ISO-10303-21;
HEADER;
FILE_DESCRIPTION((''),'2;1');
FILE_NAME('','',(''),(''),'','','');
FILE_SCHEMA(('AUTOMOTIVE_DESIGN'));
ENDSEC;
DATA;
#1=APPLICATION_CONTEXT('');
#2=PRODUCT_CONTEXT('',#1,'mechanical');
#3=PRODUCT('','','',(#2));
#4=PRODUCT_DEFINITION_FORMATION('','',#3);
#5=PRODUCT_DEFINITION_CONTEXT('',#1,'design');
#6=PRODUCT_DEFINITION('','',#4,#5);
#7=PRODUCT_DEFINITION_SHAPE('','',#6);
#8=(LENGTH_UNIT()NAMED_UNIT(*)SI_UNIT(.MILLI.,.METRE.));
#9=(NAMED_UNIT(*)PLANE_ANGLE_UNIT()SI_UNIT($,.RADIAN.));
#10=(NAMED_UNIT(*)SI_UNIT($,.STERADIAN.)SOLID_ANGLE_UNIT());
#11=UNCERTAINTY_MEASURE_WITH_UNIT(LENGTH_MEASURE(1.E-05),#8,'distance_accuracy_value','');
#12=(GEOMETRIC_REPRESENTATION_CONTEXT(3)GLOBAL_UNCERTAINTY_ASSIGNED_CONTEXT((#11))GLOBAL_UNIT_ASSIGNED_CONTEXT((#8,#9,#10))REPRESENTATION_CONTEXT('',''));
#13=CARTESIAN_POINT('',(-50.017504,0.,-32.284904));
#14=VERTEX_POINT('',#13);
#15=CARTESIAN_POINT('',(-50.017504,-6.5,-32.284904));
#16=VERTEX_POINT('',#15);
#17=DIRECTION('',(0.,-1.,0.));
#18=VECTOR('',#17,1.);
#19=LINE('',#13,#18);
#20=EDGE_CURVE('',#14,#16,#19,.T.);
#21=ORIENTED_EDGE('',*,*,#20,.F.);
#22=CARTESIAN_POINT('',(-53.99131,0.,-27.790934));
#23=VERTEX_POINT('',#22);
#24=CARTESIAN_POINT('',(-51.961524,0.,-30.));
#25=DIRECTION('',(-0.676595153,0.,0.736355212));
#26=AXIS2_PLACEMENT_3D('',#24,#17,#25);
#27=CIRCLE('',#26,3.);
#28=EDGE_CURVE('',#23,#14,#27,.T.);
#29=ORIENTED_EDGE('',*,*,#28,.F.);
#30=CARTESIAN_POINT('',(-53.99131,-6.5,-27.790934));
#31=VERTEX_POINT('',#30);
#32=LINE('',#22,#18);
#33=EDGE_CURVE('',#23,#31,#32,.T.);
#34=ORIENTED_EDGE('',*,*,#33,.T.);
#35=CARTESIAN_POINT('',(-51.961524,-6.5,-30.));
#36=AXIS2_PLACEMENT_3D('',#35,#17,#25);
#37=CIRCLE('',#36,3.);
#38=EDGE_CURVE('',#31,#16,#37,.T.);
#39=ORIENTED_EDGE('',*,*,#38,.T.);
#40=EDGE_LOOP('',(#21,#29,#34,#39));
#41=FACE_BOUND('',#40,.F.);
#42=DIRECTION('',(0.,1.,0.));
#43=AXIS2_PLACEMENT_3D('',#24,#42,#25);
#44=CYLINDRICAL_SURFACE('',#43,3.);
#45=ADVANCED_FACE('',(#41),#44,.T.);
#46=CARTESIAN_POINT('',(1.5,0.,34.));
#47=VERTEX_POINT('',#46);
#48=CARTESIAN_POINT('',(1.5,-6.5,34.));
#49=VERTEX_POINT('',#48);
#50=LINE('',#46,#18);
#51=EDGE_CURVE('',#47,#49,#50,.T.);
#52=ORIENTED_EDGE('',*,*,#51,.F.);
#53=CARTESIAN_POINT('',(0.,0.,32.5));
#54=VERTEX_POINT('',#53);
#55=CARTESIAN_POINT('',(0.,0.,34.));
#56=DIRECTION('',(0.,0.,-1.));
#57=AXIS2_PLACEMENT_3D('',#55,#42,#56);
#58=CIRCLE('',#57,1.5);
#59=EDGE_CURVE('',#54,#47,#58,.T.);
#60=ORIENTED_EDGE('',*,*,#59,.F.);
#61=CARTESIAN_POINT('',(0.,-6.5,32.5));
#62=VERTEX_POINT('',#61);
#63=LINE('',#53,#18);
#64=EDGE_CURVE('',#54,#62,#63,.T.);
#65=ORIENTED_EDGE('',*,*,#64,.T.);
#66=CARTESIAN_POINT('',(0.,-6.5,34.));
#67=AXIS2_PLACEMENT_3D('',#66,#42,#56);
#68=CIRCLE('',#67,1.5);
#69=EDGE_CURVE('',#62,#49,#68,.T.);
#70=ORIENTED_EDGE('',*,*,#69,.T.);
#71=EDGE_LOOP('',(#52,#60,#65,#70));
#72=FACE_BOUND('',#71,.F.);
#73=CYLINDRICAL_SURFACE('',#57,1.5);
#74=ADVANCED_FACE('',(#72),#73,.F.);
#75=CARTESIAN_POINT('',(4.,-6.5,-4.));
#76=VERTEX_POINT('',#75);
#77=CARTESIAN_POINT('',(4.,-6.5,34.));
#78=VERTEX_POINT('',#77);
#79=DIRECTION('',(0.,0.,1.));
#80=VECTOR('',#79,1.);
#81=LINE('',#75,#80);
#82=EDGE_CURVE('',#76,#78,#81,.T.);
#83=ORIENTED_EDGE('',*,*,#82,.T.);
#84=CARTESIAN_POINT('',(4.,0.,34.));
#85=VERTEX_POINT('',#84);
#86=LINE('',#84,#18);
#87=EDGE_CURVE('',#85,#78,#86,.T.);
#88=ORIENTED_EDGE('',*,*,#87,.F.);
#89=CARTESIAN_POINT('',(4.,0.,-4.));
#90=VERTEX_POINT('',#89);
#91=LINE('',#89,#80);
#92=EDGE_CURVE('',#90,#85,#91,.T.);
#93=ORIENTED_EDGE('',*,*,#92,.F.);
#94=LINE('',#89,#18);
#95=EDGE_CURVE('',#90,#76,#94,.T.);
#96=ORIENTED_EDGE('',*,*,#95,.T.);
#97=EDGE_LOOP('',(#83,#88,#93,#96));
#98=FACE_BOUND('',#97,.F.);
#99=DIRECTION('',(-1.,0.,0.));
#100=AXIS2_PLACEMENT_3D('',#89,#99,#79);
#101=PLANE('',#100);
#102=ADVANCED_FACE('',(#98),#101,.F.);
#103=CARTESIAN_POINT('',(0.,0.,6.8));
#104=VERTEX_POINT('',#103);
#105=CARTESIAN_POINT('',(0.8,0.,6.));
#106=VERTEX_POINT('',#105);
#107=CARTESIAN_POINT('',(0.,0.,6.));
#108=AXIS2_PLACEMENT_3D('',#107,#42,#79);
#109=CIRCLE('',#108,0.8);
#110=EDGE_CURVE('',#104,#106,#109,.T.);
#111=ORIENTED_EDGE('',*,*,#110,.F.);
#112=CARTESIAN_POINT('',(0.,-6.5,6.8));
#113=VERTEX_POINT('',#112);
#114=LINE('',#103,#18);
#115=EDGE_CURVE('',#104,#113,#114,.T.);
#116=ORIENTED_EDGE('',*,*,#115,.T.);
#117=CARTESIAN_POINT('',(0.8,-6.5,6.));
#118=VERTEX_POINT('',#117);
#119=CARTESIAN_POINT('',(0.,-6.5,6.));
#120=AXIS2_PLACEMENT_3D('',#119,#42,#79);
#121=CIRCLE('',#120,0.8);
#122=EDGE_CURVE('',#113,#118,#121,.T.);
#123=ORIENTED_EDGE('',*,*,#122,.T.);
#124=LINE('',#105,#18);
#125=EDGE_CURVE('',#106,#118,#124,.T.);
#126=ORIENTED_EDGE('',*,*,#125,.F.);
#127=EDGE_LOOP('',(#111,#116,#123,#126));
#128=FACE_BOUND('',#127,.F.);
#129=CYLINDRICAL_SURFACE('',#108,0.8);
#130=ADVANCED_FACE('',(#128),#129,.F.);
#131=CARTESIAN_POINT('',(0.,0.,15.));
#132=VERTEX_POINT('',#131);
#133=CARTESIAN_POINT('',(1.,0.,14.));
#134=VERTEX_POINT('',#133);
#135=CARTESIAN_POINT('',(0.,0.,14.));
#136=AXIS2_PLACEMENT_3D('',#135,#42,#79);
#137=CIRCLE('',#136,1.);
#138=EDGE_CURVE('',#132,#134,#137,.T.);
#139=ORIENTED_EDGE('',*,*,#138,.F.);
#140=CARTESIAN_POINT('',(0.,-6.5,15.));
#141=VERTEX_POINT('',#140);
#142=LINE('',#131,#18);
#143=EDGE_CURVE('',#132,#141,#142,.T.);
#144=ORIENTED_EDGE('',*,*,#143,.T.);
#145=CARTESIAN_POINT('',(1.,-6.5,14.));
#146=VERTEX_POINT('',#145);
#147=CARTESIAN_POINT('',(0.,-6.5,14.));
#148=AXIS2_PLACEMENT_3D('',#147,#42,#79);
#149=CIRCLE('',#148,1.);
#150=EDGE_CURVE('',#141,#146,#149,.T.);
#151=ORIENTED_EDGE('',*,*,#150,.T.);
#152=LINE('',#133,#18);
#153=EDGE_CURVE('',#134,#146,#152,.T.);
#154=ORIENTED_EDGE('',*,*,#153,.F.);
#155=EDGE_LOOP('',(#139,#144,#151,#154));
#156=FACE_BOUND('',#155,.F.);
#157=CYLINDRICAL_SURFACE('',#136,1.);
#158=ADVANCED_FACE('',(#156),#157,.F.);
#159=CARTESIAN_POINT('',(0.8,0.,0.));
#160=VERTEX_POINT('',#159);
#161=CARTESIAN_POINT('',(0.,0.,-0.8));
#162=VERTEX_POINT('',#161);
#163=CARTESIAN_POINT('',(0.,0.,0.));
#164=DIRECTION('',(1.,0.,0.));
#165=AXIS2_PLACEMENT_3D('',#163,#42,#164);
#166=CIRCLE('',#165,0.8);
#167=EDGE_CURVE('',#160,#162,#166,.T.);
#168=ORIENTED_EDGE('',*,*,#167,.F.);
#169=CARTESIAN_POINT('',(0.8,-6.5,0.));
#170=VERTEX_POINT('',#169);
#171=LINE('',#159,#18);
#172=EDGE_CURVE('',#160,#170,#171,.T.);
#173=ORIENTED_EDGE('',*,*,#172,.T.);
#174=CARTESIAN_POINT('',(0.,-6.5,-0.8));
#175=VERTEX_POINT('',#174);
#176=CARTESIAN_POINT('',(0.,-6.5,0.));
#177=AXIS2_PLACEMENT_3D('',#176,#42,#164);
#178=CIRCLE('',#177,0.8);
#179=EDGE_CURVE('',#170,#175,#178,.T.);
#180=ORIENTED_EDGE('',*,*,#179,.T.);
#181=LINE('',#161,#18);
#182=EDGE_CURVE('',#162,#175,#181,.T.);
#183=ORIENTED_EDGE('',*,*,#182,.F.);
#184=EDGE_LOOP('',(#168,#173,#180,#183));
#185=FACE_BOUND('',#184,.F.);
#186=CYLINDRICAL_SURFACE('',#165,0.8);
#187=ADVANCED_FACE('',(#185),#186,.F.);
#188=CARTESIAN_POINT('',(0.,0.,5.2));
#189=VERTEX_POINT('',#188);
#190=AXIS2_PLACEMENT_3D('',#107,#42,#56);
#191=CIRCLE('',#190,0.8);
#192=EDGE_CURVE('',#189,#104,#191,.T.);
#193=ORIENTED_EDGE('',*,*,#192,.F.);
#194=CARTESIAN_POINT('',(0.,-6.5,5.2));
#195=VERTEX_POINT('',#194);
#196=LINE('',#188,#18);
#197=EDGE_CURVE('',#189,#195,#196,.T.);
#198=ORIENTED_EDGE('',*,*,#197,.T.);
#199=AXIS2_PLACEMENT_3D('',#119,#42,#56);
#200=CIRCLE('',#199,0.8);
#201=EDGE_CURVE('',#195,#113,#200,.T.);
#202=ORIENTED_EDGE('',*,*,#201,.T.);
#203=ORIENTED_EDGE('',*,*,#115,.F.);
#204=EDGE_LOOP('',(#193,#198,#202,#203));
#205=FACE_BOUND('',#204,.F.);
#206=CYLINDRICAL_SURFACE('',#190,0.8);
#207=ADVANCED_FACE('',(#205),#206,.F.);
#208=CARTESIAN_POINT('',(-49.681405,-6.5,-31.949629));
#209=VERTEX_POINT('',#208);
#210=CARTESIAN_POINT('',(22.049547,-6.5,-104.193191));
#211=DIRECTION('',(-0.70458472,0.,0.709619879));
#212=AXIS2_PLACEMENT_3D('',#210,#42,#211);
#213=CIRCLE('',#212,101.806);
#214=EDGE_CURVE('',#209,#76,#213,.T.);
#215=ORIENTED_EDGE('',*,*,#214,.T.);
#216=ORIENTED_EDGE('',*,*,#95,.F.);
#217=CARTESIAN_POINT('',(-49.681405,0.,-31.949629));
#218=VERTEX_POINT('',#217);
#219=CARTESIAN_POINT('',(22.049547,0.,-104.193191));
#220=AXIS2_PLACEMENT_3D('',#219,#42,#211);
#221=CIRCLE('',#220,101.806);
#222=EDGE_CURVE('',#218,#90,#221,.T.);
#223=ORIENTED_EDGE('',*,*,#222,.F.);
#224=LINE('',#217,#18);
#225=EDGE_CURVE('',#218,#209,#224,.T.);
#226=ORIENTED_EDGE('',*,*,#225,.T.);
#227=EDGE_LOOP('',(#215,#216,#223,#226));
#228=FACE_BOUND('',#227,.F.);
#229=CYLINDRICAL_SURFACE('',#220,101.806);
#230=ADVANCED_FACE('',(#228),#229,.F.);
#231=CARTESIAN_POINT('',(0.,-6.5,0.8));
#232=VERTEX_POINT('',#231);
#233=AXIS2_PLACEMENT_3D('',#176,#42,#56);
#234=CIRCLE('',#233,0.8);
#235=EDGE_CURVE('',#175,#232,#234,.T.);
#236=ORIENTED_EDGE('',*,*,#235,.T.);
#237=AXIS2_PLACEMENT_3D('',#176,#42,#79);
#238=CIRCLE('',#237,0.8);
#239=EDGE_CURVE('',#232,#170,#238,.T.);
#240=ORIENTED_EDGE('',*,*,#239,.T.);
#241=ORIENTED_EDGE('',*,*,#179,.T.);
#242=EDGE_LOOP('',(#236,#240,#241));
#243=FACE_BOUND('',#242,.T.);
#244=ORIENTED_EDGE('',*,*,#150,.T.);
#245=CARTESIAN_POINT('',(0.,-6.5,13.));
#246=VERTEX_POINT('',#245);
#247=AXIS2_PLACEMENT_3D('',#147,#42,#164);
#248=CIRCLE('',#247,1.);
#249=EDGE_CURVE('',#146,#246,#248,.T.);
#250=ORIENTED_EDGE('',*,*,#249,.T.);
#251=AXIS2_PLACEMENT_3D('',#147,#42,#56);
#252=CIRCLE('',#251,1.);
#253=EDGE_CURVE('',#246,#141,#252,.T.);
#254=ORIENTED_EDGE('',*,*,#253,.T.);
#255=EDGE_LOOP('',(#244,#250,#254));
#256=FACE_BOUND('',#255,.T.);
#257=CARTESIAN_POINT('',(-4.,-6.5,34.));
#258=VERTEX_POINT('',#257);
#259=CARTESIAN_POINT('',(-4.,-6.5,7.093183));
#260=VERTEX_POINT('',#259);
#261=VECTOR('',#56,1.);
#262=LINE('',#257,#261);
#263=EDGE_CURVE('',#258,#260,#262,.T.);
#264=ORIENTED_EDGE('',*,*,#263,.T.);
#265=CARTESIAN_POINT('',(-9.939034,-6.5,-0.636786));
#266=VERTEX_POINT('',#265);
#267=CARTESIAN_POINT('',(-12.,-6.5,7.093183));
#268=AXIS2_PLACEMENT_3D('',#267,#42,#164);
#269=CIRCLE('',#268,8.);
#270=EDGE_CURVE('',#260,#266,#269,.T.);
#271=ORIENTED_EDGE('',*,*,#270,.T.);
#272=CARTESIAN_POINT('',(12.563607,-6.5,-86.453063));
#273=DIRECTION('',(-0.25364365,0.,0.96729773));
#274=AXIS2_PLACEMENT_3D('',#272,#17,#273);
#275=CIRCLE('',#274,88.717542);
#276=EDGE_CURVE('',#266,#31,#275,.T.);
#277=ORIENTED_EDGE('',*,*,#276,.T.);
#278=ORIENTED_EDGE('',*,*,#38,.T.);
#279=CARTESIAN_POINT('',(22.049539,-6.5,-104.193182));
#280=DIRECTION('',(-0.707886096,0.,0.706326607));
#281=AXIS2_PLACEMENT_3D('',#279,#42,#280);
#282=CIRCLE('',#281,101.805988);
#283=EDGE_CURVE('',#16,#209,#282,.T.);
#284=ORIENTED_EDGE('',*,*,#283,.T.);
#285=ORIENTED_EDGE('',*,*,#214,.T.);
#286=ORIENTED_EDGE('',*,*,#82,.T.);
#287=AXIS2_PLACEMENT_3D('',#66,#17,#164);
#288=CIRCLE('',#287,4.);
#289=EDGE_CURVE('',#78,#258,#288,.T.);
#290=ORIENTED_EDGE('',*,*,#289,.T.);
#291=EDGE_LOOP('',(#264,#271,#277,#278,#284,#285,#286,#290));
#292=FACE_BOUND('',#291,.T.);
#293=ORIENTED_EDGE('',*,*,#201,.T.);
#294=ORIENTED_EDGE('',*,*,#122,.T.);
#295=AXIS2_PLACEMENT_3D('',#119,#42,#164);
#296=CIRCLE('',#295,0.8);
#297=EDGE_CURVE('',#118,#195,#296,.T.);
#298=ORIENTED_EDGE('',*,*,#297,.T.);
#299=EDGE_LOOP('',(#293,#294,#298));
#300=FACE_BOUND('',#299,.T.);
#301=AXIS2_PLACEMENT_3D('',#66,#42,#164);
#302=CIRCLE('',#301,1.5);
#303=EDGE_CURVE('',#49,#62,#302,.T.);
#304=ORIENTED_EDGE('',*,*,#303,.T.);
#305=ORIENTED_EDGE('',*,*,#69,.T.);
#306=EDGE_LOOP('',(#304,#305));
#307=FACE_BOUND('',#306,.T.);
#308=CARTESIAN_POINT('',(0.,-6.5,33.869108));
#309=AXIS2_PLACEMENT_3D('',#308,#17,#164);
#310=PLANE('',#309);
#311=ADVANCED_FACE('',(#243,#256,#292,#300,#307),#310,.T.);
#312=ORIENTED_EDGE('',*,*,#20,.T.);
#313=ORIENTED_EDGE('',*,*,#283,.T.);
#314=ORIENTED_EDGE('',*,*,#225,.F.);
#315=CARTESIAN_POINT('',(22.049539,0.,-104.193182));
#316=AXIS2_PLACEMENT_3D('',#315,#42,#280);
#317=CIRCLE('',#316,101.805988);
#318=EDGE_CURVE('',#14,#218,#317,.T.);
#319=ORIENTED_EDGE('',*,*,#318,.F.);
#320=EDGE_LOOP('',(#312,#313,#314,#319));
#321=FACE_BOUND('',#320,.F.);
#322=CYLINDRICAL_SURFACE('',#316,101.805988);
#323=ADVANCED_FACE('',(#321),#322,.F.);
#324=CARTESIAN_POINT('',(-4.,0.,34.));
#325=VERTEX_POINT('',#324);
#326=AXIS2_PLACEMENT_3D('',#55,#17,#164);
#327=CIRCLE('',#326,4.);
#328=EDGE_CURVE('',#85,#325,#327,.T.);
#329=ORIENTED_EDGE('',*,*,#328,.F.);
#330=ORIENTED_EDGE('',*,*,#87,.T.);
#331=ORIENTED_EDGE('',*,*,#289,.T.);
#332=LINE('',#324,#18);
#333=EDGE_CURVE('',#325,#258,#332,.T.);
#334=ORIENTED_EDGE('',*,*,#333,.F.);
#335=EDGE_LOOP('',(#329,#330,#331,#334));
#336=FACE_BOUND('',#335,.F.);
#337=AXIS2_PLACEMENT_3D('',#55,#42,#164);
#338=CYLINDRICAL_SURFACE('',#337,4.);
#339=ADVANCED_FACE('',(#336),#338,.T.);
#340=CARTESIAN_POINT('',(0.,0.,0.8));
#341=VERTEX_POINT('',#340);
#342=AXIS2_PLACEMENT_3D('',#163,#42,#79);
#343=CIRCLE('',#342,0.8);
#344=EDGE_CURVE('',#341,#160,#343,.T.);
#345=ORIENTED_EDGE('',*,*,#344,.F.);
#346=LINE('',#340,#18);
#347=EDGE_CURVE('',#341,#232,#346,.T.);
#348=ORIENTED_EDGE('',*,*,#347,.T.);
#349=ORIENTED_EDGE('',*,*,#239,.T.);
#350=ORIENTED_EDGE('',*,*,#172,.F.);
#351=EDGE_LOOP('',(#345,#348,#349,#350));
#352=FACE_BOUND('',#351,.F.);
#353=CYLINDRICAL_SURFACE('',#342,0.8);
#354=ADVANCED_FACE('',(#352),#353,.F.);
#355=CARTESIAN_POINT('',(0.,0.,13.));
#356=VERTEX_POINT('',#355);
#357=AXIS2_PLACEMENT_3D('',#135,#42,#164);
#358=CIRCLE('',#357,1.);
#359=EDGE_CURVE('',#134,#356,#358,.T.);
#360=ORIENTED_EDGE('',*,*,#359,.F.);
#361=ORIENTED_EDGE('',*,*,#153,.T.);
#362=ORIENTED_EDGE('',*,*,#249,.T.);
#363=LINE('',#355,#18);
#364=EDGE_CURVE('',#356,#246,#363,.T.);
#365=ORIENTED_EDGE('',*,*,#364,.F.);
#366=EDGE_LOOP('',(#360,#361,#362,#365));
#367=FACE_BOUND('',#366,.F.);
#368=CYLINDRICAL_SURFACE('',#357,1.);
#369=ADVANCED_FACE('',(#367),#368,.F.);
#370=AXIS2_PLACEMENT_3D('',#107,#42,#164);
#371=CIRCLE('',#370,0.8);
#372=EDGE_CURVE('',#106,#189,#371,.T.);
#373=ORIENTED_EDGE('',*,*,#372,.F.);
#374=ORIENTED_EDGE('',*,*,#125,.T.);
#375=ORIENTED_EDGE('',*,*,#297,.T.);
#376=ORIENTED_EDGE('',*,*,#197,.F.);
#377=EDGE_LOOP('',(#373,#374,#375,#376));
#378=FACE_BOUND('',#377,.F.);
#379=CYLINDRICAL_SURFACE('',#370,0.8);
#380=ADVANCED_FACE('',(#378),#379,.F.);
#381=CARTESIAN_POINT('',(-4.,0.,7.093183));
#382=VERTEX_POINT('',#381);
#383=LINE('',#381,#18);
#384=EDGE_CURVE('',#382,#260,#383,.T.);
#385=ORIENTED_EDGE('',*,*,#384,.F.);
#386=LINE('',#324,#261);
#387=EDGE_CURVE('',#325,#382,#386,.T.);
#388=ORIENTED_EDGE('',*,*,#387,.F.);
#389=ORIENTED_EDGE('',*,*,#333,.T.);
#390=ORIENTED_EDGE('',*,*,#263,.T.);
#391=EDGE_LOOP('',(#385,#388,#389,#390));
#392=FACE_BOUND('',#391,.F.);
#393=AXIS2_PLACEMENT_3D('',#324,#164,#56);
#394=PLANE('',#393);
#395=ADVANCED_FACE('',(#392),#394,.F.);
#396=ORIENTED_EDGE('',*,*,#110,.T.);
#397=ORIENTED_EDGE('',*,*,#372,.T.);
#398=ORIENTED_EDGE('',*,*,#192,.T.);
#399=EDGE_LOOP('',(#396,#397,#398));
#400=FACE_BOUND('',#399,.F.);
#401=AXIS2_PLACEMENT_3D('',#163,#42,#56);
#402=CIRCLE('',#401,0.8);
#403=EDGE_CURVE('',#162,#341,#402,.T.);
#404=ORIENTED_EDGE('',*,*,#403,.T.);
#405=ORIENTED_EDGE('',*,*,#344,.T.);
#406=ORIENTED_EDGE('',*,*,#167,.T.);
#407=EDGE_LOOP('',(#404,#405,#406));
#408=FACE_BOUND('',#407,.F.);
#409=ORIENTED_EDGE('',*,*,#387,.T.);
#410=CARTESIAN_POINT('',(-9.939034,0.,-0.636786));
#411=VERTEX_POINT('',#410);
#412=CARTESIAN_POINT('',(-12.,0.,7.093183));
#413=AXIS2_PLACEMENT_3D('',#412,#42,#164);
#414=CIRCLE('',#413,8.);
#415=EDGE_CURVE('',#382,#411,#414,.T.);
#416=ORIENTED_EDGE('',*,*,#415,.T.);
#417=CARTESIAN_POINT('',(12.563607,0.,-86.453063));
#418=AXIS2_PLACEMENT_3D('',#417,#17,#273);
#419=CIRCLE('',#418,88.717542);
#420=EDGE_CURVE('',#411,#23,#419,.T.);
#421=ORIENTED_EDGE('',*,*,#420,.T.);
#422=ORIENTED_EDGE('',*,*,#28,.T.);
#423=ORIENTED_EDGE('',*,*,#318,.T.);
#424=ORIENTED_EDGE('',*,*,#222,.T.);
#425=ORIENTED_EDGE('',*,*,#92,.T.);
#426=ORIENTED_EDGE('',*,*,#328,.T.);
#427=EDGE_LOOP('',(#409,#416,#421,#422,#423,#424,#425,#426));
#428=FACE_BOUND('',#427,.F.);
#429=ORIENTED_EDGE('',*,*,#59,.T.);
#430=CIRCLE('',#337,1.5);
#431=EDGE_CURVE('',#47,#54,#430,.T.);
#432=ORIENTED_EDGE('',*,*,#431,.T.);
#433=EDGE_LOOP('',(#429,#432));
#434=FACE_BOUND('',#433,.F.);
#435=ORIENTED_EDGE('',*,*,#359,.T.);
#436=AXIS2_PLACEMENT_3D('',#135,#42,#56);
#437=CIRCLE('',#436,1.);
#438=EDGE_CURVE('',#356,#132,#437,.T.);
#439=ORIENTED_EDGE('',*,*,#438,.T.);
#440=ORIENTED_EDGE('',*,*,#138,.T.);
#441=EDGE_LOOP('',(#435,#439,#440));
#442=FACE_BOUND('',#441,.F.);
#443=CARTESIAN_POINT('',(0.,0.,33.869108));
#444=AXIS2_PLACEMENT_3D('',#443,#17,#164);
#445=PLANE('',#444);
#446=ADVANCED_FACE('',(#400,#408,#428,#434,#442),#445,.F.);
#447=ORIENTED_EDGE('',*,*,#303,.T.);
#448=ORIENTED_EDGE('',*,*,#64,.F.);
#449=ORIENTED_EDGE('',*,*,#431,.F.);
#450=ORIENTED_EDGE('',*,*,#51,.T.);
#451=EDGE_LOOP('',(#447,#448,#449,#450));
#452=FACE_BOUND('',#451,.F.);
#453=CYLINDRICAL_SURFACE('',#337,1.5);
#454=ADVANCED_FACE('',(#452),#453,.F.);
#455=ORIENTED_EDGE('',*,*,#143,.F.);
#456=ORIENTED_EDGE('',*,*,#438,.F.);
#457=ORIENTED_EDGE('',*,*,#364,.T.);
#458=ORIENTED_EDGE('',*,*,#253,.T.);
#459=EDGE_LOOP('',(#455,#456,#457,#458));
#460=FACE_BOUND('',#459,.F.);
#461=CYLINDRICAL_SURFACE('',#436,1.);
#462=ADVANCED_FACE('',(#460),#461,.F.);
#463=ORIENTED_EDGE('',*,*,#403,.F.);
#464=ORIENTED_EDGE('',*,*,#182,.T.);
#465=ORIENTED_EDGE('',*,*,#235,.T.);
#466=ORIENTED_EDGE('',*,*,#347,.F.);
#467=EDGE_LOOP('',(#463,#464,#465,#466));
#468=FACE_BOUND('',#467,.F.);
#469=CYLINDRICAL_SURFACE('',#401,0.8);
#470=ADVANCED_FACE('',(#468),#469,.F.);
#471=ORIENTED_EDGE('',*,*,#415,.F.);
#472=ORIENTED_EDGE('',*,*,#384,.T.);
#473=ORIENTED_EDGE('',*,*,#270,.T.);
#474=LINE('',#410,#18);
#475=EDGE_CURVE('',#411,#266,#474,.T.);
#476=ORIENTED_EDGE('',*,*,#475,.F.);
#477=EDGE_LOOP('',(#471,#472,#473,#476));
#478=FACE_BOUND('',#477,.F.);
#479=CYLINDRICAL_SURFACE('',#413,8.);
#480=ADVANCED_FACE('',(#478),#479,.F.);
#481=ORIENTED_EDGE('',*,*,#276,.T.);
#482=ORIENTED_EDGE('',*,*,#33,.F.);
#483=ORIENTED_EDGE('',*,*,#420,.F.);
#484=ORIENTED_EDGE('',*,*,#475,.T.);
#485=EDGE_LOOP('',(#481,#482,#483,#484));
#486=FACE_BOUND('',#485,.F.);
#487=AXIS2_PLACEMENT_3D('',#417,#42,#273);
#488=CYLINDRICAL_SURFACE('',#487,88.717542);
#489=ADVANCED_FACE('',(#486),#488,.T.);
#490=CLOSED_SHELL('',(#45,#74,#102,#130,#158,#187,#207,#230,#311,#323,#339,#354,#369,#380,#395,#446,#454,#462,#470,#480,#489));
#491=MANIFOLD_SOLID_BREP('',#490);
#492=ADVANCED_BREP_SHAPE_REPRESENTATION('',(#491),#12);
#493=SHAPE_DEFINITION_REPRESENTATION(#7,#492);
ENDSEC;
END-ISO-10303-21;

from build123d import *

# Parameters (mm, degrees)
F1_DEPTH = 6.5


with BuildPart() as f1:
    # F0 (on Front) → F1 (new body)
    with BuildSketch(Plane.XZ):
        with BuildLine():
            ThreePointArc((0, 30), (2.8284271247, 31.1715728753), (4, 34))
            ThreePointArc((4, 34), (0, 38), (-4, 34))
            ThreePointArc((-4, 34), (-2.8284271247, 31.1715728753), (0, 30))
        make_face()
        with BuildLine():
            ThreePointArc((1.5, 34), (1.0606601718, 32.9393398282), (0, 32.5))
            ThreePointArc((0, 32.5), (-1.0606601718, 35.0606601718), (1.5, 34))
        make_face(mode=Mode.SUBTRACT)
        with BuildLine():
            Line((4, 0), (4, 34))
            ThreePointArc((4, 34), (2.8284271247, 31.1715728753), (0, 30))
            Line((0, 30), (0, 15))
            ThreePointArc((0, 15), (0.7071067812, 14.7071067812), (1, 14))
            ThreePointArc((1, 14), (0.7071067812, 13.2928932188), (0, 13))
            Line((0, 13), (0, 6.8))
            ThreePointArc((0, 6.8), (0.5656854249, 6.5656854249), (0.8, 6))
            ThreePointArc((0.8, 6), (0.5656854249, 5.4343145751), (0, 5.2))
            Line((0, 5.2), (0, 4))
            ThreePointArc((0, 4), (2.8284271247, 2.8284271247), (4, 0))
        make_face()
        with BuildLine():
            ThreePointArc((0, 30), (-2.8284271247, 31.1715728753), (-4, 34))
            Line((-4, 34), (-4, 7.093183207))
            ThreePointArc((-4, 7.093183207), (-5.6561948009, 2.2191565764), (-9.939033899, -0.6367856629))
            ThreePointArc((-9.939033899, -0.6367856629), (-33.9890415525, -10.9305286234), (-53.9913096874, -27.7909343638))
            ThreePointArc((-53.9913096874, -27.7909343638), (-50.7551570319, -27.2532422403), (-48.9615242271, -30))
            ThreePointArc((-48.9615242271, -30), (-49.147242911, -31.0391442027), (-49.6814046764, -31.9496294096))
            ThreePointArc((-49.6814046764, -31.9496294096), (-24.9656625625, -13.8935137311), (4, -4))
            Line((4, -4), (0, -4))
            ThreePointArc((0, -4), (-4, 0), (0, 4))
            Line((0, 4), (0, 5.2))
            ThreePointArc((0, 5.2), (-0.8, 6), (0, 6.8))
            Line((0, 6.8), (0, 13))
            ThreePointArc((0, 13), (-1, 14), (0, 15))
            Line((0, 15), (0, 30))
        make_face()
        with BuildLine():
            ThreePointArc((0, -4), (2.8284271247, -2.8284271247), (4, 0))
            Line((4, 0), (0.8, 0))
            ThreePointArc((0.8, 0), (0.5656854249, -0.5656854249), (0, -0.8))
            Line((0, -0.8), (0, -4))
        make_face()
        with BuildLine():
            Line((4, -4), (4, 0))
            ThreePointArc((4, 0), (2.8284271247, -2.8284271247), (0, -4))
            Line((0, -4), (4, -4))
        make_face()
        with BuildLine():
            ThreePointArc((0, 4), (-4, 0), (0, -4))
            Line((0, -4), (0, -0.8))
            ThreePointArc((0, -0.8), (-0.8, 0), (0, 0.8))
            Line((0, 0.8), (0, 4))
        make_face()
        with BuildLine():
            Line((0.8, 0), (4, 0))
            ThreePointArc((4, 0), (2.8284271247, 2.8284271247), (0, 4))
            Line((0, 4), (0, 0.8))
            ThreePointArc((0, 0.8), (0.5656854249, 0.5656854249), (0.8, 0))
        make_face()
        with BuildLine():
            ThreePointArc((-50.0175044973, -32.2849042191), (-49.8496500156, -32.1170709047), (-49.6814046764, -31.9496294096))
            ThreePointArc((-49.6814046764, -31.9496294096), (-49.147242911, -31.0391442027), (-48.9615242271, -30))
            ThreePointArc((-48.9615242271, -30), (-50.7551570319, -27.2532422403), (-53.9913096874, -27.7909343638))
            ThreePointArc((-53.9913096874, -27.7909343638), (-54.2089183192, -31.9872643998), (-50.0175044973, -32.2849042191))
        make_face()
    extrude(amount=F1_DEPTH)


solid = f1.part
